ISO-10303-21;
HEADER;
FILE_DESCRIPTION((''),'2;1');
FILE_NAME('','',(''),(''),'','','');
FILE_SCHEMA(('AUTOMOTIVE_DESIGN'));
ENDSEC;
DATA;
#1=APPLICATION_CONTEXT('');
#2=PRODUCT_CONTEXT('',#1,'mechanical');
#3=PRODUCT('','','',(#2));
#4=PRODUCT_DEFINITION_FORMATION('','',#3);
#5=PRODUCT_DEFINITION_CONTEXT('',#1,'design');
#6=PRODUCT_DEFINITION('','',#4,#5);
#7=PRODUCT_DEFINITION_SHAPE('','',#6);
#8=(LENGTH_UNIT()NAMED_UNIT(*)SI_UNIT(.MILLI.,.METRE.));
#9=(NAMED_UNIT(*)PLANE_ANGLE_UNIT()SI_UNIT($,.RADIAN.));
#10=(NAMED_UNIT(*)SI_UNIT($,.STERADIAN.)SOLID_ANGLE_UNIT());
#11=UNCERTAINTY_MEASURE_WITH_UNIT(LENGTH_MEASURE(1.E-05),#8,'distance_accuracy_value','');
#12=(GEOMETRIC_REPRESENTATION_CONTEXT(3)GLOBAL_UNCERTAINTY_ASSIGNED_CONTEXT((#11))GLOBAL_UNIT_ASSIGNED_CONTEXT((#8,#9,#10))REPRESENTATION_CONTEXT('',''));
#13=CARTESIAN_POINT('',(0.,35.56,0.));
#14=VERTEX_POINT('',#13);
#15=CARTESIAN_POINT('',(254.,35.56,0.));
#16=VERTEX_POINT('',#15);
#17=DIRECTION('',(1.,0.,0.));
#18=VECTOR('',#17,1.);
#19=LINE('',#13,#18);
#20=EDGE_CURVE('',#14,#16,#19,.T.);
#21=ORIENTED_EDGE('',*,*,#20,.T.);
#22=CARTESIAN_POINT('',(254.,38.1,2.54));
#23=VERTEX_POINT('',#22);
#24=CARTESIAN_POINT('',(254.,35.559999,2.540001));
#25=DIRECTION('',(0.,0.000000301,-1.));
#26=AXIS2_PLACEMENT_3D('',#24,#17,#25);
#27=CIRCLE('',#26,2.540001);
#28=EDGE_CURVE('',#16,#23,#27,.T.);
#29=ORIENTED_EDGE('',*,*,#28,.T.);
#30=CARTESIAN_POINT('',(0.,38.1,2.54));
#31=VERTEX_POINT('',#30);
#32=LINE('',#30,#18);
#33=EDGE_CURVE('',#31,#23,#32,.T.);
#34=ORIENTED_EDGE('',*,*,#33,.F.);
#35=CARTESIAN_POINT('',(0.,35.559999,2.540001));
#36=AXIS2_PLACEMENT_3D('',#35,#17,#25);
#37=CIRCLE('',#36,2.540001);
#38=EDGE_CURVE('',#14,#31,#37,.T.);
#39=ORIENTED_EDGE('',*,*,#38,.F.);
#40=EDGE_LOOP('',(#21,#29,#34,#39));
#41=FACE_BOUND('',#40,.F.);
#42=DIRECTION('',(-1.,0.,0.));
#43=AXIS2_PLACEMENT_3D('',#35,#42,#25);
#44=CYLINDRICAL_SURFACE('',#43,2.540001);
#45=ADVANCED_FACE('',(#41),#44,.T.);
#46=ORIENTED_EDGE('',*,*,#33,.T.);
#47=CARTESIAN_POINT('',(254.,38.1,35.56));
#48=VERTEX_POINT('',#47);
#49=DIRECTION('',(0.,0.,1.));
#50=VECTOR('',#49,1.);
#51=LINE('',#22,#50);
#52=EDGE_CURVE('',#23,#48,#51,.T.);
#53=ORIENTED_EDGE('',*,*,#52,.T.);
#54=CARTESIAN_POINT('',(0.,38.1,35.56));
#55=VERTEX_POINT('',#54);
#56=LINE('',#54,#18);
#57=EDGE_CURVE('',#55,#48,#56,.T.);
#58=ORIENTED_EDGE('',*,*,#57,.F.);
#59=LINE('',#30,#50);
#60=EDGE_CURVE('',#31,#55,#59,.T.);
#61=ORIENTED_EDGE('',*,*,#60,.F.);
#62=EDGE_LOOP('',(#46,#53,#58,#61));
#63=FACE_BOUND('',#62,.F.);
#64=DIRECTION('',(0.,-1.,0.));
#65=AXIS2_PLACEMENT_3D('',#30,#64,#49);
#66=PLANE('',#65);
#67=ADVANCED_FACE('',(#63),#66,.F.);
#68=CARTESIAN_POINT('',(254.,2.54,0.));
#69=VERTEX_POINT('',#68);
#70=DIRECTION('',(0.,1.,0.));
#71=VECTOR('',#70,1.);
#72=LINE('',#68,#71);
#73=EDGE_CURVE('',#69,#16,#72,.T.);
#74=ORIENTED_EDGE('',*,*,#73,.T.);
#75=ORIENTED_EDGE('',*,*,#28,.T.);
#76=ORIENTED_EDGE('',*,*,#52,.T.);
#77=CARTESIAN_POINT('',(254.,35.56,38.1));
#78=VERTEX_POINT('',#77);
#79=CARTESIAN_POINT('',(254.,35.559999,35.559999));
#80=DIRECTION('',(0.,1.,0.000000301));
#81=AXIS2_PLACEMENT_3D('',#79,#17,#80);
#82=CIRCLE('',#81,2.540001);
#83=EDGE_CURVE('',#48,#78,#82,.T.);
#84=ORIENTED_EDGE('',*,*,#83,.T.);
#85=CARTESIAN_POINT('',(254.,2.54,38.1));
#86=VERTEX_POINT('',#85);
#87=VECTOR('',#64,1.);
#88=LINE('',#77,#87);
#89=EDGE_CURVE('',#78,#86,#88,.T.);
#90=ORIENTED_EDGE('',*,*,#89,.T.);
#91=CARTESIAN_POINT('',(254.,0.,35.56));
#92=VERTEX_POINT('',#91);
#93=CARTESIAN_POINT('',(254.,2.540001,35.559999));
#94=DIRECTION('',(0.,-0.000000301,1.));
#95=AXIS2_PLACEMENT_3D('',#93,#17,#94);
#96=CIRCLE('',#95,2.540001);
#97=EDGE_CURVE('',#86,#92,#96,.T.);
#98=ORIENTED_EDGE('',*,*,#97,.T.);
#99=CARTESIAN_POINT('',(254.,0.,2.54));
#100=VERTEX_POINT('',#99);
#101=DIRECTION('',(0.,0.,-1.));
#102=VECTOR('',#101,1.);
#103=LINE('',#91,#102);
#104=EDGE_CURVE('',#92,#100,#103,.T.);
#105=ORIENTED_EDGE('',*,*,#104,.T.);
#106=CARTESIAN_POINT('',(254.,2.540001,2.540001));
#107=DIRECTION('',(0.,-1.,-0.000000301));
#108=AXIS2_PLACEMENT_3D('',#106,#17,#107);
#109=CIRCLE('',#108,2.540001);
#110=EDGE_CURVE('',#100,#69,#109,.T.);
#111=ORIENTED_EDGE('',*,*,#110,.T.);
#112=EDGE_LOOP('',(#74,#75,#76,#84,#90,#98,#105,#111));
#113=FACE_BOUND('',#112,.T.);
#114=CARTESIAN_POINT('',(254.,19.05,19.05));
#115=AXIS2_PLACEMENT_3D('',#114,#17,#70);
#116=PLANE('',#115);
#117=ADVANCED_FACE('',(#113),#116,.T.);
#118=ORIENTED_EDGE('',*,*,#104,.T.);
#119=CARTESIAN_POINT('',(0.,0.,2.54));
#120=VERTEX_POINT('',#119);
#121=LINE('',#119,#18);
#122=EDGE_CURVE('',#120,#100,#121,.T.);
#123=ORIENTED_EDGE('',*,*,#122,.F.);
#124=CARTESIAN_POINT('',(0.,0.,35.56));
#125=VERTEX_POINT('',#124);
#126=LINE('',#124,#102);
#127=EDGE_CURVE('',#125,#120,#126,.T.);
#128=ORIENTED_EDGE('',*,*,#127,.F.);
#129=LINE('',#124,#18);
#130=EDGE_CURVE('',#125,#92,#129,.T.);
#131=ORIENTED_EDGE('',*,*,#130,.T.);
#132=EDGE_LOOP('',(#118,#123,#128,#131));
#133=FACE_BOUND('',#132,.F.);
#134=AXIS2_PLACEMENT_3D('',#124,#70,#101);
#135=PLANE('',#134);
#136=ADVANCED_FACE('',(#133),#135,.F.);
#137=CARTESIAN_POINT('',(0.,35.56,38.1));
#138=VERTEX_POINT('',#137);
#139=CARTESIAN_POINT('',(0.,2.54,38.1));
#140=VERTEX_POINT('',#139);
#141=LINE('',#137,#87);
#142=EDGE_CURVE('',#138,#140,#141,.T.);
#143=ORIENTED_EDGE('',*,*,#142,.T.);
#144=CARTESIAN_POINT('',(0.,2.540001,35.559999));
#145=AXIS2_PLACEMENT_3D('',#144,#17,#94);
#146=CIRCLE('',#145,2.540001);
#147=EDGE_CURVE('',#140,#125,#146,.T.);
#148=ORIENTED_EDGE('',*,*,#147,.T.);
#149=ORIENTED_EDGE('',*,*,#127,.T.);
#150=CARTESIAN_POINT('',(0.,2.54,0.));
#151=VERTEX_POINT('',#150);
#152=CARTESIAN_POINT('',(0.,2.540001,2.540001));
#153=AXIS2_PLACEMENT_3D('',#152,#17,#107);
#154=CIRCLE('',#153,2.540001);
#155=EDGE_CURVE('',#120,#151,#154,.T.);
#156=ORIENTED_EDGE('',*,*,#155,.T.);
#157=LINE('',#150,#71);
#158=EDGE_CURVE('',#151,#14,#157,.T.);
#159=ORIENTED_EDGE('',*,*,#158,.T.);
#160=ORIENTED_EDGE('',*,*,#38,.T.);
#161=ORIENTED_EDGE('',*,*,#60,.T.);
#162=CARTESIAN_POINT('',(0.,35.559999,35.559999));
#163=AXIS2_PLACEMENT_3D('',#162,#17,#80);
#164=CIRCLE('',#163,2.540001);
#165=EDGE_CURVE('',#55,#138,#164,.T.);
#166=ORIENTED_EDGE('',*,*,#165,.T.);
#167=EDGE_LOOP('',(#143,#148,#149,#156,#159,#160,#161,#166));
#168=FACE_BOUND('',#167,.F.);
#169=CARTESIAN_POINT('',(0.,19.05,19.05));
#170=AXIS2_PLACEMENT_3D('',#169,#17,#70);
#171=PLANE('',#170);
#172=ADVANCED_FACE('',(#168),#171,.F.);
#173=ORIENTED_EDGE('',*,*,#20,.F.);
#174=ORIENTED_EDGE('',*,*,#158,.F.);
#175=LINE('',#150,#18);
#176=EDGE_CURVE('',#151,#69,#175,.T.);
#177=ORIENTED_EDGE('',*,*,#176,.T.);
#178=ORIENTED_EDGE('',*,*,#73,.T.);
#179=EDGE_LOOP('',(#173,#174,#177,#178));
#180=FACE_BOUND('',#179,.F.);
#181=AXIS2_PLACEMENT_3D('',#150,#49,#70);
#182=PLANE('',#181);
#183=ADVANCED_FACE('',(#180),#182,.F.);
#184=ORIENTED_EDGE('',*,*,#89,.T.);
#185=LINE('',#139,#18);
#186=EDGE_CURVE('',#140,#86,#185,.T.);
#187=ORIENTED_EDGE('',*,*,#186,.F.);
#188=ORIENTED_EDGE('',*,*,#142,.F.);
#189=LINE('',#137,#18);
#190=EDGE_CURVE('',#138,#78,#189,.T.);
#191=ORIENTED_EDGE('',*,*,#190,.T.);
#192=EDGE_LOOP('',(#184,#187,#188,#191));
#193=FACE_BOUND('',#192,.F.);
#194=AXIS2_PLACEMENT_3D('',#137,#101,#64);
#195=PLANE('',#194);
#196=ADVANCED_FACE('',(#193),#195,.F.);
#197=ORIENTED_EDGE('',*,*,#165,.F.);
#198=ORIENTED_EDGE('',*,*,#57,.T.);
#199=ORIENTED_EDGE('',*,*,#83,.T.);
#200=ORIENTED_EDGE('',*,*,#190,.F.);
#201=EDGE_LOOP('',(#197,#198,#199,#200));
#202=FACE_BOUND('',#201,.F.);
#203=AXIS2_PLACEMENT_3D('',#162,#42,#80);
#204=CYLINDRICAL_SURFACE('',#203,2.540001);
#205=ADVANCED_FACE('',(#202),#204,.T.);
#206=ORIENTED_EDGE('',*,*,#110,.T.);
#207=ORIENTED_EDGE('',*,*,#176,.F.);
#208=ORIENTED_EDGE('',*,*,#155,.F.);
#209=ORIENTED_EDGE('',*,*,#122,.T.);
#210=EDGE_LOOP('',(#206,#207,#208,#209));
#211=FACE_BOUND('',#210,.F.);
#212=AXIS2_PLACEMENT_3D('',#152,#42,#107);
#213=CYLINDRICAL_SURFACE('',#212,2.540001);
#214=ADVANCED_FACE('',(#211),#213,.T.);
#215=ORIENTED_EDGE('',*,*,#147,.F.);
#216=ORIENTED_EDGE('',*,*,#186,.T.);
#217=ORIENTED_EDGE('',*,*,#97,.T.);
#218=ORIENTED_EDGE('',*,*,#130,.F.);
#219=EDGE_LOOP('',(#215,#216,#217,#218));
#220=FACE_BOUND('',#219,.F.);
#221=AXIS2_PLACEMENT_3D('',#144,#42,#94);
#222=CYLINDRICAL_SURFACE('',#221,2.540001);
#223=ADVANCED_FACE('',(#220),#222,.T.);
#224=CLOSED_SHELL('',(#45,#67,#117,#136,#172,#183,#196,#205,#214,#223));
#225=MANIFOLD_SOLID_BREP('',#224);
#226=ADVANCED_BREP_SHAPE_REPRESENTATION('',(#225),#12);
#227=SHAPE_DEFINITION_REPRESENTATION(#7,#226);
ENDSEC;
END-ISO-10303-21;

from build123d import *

# Parameters (mm, degrees)
F1_DEPTH = 254


with BuildPart() as f1:
    # F0 (on Right) → F1 (new body)
    with BuildSketch(Plane.YZ):
        with BuildLine():
            ThreePointArc((0, 2.54), (0.743949, 0.743949), (2.54, 0))
            Line((2.54, 0), (35.56, 0))
            ThreePointArc((35.56, 0), (37.356051, 0.743949), (38.1, 2.54))
            Line((38.1, 2.54), (38.1, 35.56))
            ThreePointArc((38.1, 35.56), (37.356051, 37.356051), (35.56, 38.1))
            Line((35.56, 38.1), (2.54, 38.1))
            ThreePointArc((2.54, 38.1), (0.743949, 37.356051), (0, 35.56))
            Line((0, 35.56), (0, 2.54))
        make_face()
    extrude(amount=F1_DEPTH)


solid = f1.part
